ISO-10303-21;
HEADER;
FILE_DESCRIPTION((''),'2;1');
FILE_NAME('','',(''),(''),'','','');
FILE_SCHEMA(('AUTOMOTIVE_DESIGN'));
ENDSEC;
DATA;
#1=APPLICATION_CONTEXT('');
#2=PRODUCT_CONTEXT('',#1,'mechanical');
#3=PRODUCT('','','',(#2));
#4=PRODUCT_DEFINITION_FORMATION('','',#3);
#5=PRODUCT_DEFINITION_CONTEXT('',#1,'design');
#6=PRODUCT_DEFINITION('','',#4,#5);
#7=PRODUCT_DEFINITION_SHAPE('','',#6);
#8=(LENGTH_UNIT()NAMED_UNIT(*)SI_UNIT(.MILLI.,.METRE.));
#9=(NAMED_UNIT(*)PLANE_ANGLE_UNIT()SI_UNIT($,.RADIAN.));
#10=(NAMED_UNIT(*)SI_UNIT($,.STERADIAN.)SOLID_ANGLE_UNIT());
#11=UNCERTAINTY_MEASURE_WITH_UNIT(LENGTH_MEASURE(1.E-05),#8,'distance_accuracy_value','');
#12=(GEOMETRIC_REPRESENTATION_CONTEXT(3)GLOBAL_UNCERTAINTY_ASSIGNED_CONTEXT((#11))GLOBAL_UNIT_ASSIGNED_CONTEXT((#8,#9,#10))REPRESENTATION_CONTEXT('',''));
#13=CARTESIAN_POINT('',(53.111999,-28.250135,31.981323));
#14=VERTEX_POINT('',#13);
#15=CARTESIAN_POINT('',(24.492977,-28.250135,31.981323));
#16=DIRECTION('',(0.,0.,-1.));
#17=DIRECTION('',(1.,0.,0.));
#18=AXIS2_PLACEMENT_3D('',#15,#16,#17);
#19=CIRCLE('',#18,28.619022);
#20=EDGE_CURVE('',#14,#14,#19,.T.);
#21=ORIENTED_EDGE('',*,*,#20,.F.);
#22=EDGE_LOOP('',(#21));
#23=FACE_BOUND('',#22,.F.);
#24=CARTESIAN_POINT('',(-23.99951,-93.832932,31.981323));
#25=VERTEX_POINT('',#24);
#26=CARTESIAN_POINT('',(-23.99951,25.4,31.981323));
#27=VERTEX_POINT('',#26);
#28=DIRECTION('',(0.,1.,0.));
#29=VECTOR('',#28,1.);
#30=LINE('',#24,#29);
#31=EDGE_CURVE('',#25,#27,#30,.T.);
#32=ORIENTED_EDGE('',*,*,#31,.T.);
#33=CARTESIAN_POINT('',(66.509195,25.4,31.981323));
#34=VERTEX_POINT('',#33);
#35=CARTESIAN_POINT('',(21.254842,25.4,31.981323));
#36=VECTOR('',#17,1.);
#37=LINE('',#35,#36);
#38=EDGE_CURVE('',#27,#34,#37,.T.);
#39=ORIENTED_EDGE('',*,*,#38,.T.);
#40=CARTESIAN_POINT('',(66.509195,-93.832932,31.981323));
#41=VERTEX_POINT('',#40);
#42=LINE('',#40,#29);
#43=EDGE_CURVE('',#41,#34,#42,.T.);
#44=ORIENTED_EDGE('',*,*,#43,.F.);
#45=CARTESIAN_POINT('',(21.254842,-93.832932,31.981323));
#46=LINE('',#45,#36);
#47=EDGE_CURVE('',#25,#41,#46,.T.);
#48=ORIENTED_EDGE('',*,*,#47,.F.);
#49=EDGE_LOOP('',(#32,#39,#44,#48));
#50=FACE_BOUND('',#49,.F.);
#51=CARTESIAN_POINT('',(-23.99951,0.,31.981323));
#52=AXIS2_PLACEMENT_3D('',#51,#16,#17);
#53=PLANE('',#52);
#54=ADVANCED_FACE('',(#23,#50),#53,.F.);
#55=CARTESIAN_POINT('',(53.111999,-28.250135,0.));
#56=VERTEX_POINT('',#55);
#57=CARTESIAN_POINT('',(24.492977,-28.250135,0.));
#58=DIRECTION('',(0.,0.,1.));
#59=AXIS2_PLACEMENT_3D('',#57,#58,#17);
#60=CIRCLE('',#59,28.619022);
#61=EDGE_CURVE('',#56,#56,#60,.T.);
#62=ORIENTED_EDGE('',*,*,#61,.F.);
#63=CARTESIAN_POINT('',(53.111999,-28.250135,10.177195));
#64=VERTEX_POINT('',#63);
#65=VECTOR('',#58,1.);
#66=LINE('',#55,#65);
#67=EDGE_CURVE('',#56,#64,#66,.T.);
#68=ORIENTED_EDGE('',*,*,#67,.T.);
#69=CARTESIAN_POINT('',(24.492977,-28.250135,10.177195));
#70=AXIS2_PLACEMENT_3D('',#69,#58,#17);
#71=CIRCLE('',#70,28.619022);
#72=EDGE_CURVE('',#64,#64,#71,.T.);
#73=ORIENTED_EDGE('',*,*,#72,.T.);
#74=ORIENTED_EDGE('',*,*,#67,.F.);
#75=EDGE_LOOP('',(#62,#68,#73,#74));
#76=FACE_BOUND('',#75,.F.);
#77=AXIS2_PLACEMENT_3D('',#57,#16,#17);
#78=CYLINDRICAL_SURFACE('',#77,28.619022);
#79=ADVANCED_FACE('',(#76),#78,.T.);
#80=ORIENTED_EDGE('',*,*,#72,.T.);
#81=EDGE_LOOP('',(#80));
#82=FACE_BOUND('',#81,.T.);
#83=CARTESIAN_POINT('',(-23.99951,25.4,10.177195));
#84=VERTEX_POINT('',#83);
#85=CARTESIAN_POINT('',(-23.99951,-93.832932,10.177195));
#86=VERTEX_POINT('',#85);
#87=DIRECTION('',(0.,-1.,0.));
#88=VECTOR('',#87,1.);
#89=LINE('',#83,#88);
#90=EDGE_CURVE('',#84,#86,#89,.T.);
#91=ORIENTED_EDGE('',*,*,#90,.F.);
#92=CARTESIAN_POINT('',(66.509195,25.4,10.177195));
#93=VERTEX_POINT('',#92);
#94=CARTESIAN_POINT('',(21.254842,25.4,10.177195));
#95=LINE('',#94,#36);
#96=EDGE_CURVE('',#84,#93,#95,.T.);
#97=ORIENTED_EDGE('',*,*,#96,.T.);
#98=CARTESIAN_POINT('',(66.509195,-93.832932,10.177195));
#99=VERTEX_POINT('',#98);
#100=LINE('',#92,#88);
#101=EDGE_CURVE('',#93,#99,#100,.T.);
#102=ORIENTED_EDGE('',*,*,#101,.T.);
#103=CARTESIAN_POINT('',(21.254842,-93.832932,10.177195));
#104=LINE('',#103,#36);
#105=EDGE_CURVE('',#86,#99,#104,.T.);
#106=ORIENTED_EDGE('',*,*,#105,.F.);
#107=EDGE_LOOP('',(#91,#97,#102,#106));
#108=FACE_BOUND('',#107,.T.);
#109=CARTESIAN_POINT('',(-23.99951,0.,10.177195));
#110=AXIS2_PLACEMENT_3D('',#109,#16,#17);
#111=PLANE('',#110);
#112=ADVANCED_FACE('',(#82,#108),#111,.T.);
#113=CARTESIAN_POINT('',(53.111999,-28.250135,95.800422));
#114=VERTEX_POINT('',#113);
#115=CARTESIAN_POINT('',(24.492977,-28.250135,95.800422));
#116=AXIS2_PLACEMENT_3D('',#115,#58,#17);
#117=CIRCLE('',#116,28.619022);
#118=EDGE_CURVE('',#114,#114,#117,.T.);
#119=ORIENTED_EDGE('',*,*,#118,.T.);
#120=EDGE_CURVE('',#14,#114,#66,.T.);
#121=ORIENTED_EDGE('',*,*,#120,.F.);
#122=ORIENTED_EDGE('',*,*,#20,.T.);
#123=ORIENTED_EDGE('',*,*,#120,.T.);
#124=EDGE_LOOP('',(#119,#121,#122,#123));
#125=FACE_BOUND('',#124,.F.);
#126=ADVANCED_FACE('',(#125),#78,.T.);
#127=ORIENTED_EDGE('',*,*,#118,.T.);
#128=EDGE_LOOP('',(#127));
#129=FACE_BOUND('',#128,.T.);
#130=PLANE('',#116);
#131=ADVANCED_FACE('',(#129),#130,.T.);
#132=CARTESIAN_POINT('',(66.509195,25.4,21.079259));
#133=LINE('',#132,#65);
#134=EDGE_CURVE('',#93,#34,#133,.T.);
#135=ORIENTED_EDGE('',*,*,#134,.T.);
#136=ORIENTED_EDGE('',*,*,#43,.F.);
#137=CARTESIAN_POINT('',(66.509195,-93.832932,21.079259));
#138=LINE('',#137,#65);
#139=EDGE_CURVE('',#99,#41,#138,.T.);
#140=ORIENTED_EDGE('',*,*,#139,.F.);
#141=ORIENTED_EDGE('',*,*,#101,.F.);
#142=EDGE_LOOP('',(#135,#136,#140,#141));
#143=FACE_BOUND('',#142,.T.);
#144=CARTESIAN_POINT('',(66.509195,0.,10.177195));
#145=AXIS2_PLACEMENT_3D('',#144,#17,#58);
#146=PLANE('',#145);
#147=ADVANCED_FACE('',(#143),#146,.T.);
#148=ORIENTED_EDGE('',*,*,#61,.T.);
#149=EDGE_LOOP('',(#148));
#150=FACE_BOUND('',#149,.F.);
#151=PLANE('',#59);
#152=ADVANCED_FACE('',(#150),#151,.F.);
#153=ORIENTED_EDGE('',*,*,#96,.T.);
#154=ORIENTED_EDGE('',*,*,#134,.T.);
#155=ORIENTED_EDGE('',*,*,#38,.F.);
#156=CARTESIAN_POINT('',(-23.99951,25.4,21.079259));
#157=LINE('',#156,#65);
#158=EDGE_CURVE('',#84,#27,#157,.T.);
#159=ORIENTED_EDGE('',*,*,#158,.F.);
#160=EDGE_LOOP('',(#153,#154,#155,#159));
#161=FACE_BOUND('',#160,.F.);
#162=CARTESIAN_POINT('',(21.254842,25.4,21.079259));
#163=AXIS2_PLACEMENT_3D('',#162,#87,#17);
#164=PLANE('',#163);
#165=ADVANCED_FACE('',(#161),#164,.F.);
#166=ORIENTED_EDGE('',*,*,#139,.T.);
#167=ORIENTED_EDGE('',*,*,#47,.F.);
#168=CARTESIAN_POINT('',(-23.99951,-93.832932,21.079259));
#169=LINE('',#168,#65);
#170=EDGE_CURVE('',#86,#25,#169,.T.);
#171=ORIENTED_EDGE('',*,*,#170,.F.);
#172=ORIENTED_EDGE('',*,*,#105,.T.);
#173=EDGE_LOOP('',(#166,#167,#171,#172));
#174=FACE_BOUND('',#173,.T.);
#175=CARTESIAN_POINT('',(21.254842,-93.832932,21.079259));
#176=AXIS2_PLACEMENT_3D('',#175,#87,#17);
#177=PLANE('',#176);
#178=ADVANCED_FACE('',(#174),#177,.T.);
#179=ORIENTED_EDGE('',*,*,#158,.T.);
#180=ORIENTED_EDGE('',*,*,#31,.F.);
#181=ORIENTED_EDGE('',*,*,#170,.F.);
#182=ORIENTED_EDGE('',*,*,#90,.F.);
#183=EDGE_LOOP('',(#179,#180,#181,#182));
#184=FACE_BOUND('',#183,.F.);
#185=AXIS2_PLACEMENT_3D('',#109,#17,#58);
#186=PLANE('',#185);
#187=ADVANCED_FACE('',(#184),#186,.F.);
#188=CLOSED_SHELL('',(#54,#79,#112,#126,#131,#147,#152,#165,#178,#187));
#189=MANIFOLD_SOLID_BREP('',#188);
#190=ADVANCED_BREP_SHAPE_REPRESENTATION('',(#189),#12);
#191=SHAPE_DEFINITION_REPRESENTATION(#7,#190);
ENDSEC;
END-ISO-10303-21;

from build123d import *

# Parameters (mm, degrees)
F0_R          = 28.619022
F1_DEPTH      = 95.800422
F2_W          = 90.508705
F2_H          = 21.804128
F3_DEPTH      = 93.832932
F3_DEPTH_BACK = 25.4


with BuildPart() as f1:
    # F0 (on Top) → F1 (new body)
    with BuildSketch(Plane.XY):
        with Locations((24.492977, -28.250135)):
            Circle(F0_R)
    extrude(amount=F1_DEPTH)

    # F2 (on Front) → F3 (join, two sides)
    with BuildSketch(Plane.XZ) as f3_sk:
        with Locations((21.254842, 21.079259)):
            Rectangle(F2_W, F2_H)
    extrude(amount=F3_DEPTH)
    extrude(f3_sk.sketch, amount=-F3_DEPTH_BACK)


solid = f1.part
